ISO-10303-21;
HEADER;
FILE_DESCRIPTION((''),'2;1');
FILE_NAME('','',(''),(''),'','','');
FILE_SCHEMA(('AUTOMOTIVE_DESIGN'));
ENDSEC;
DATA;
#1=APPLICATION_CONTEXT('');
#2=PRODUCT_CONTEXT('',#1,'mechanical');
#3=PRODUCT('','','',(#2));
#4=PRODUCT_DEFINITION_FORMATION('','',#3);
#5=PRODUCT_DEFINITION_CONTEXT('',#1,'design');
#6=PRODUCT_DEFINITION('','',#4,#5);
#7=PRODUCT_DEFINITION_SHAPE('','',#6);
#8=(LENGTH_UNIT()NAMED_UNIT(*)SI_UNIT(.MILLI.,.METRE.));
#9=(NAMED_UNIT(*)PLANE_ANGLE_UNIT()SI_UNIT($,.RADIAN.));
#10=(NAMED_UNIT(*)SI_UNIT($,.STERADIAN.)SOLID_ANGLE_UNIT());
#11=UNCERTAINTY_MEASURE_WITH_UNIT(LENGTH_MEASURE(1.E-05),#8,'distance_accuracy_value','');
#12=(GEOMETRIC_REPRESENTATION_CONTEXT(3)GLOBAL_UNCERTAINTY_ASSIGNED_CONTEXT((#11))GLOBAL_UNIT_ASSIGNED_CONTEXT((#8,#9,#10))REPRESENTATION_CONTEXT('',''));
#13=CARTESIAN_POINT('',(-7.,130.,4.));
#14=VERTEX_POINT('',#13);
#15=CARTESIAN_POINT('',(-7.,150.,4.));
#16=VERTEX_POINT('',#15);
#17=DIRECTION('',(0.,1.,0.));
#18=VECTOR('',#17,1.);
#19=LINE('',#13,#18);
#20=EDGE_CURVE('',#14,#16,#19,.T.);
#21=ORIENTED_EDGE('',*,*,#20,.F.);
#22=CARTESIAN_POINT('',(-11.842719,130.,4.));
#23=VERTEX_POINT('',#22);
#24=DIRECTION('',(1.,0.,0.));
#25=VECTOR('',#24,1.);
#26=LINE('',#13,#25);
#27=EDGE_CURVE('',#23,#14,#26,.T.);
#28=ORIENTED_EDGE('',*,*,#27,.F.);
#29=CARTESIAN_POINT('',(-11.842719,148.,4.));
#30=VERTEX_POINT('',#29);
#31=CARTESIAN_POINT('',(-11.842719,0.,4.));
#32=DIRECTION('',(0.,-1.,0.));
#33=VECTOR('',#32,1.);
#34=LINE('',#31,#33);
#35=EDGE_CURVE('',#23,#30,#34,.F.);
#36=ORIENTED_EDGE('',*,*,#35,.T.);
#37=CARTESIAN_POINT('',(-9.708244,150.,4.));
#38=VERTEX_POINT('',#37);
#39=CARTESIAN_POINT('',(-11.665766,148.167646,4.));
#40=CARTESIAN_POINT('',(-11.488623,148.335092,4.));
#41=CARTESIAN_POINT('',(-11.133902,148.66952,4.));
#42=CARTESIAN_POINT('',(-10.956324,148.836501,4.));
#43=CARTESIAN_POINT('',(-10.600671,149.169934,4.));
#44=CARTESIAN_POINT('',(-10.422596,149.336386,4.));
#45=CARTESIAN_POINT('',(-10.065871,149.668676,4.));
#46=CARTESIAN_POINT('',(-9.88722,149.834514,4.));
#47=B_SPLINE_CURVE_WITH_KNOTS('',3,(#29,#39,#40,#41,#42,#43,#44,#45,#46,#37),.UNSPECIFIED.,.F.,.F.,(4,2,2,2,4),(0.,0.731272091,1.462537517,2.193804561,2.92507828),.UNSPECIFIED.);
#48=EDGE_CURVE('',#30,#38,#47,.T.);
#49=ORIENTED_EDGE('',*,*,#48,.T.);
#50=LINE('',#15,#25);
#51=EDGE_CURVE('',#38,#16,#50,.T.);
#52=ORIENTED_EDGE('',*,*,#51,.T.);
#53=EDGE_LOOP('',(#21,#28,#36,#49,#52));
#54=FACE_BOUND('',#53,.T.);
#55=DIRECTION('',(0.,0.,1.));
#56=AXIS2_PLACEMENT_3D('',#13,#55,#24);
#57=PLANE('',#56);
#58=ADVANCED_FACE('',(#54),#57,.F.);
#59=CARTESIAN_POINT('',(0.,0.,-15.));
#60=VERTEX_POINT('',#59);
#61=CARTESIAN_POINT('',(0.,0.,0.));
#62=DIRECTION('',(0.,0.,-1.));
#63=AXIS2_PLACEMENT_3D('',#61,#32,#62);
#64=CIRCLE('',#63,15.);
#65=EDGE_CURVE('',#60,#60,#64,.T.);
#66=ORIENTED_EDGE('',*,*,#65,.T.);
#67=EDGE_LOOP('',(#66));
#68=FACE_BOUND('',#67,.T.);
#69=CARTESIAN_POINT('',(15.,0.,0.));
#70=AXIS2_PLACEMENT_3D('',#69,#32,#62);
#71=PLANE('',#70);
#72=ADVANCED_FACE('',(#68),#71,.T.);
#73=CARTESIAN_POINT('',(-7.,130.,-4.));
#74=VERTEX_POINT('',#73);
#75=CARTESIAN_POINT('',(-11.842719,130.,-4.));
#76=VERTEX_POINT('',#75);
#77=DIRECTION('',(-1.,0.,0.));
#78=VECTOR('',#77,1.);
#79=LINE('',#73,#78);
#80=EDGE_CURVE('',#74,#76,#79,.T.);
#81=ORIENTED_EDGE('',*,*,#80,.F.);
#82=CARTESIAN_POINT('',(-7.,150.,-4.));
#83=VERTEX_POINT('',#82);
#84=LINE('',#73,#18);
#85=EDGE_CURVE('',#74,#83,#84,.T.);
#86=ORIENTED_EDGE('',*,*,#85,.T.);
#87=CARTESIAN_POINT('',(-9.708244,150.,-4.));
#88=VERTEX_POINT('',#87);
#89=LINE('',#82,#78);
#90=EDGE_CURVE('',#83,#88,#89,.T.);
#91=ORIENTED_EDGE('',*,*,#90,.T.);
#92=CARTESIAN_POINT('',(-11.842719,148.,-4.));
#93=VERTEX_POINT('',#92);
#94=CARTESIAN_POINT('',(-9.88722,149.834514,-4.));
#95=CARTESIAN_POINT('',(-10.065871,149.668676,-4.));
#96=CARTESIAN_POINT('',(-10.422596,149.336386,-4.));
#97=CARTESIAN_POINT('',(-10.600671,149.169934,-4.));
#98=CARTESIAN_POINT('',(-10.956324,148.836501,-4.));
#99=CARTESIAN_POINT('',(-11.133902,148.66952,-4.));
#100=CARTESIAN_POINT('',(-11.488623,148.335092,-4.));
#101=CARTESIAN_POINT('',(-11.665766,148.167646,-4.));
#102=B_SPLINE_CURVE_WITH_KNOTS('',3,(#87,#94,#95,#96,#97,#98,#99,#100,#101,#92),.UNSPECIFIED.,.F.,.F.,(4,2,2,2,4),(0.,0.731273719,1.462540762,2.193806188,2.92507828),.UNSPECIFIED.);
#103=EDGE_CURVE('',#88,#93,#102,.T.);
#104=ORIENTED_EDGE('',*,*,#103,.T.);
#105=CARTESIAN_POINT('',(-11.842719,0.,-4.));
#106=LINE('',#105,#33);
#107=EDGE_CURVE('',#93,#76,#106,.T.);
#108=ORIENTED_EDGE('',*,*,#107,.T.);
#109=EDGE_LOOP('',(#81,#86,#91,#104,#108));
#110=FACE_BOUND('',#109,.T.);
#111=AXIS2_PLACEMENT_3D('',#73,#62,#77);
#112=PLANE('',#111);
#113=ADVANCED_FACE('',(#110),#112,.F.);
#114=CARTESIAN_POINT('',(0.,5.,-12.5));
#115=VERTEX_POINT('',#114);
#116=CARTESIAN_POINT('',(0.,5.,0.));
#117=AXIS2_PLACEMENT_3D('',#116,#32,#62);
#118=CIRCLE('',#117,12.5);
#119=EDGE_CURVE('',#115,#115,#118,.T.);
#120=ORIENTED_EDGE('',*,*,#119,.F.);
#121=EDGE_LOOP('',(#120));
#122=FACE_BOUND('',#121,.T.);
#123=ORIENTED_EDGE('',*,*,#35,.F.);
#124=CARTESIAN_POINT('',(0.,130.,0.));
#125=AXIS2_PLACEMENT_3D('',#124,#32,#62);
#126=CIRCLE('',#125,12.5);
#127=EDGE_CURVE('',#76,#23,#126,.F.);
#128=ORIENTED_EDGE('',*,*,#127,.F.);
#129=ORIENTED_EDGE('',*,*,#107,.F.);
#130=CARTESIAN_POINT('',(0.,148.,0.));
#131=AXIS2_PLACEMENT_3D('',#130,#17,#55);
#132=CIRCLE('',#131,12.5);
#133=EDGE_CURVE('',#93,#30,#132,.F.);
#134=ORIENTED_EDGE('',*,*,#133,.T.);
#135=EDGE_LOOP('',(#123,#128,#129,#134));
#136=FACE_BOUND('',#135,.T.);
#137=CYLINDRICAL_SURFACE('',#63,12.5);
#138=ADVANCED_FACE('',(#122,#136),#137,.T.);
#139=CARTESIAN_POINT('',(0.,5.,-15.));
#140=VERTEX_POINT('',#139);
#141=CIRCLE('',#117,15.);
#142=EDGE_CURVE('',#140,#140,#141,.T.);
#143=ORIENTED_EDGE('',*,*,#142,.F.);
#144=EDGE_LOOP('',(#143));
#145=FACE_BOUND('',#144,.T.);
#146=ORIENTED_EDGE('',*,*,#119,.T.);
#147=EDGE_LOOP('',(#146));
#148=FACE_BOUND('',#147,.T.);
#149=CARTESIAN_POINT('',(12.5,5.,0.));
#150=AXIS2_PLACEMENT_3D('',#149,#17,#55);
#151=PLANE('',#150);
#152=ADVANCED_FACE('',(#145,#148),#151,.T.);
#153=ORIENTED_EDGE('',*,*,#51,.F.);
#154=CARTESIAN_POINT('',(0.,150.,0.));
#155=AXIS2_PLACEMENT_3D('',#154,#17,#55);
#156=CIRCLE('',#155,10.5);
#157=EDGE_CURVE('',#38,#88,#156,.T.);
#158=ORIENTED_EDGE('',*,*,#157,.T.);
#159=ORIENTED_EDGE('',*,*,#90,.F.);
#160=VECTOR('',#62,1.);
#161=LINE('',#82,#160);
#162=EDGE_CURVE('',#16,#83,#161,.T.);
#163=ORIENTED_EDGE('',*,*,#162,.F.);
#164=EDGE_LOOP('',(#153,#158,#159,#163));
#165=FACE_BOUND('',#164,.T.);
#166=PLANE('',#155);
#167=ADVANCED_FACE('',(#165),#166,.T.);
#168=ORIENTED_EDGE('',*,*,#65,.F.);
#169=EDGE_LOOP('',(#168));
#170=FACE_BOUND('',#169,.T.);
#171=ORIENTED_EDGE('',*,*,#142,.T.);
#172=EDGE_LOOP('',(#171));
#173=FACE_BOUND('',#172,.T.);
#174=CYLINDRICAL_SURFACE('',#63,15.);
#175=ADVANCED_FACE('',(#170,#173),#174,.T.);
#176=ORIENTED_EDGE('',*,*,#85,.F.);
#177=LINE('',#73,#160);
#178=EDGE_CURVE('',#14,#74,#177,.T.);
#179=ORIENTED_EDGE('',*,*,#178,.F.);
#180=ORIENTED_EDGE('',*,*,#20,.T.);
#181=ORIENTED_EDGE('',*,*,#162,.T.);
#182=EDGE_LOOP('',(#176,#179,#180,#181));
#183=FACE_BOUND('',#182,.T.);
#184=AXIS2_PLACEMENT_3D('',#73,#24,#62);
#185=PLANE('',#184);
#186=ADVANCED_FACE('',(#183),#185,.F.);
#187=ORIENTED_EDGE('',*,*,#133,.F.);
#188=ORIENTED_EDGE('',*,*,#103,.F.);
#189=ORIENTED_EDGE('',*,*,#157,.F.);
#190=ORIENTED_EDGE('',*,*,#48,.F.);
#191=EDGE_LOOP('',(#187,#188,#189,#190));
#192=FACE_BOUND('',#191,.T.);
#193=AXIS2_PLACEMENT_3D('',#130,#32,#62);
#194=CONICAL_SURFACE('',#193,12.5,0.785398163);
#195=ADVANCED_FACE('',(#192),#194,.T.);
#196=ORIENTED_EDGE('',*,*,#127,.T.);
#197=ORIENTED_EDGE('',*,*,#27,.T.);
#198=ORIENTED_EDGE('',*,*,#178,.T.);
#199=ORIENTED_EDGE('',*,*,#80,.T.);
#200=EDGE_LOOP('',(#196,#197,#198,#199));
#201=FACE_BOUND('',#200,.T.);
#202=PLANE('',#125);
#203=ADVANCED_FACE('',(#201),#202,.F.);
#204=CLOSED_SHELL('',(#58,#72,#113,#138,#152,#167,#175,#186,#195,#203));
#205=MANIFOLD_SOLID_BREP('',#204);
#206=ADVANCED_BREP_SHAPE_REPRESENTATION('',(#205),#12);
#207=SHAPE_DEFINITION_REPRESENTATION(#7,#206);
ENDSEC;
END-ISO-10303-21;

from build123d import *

# Parameters (mm, degrees)
ESBO_O3_W             = 8
ESBO_O3_H             = 8
CORTE_EXTRUS_O1_DEPTH = 20
CHANFRO1_SIZE         = 2


with BuildPart() as part:
    # Sketch1 → Revolve1 (revolve)
    with BuildSketch(Plane.XY):
        Polygon((0, 150), (12.5, 150), (12.5, 5), (15, 5), (15, 0), (0, 0), align=None)
    revolve(axis=Axis((0, 0, 0), (0, 1, 0)))

    # Esboço3 → Corte-extrusão1 (cut)
    with BuildSketch(Plane(origin=(0, 150, 0), x_dir=(1, 0, 0), z_dir=(0, 1, 0))):
        with Locations((-11, 0)):
            Rectangle(ESBO_O3_W, ESBO_O3_H)
    extrude(amount=-CORTE_EXTRUS_O1_DEPTH, mode=Mode.SUBTRACT)

    # Chanfro1
    chanfro1_edges = [part.edges().sort_by_distance(p)[0] for p in [
        (2.026821276, 150, -12.33458534),
    ]]
    chamfer(chanfro1_edges, length=CHANFRO1_SIZE)


solid = part.part
